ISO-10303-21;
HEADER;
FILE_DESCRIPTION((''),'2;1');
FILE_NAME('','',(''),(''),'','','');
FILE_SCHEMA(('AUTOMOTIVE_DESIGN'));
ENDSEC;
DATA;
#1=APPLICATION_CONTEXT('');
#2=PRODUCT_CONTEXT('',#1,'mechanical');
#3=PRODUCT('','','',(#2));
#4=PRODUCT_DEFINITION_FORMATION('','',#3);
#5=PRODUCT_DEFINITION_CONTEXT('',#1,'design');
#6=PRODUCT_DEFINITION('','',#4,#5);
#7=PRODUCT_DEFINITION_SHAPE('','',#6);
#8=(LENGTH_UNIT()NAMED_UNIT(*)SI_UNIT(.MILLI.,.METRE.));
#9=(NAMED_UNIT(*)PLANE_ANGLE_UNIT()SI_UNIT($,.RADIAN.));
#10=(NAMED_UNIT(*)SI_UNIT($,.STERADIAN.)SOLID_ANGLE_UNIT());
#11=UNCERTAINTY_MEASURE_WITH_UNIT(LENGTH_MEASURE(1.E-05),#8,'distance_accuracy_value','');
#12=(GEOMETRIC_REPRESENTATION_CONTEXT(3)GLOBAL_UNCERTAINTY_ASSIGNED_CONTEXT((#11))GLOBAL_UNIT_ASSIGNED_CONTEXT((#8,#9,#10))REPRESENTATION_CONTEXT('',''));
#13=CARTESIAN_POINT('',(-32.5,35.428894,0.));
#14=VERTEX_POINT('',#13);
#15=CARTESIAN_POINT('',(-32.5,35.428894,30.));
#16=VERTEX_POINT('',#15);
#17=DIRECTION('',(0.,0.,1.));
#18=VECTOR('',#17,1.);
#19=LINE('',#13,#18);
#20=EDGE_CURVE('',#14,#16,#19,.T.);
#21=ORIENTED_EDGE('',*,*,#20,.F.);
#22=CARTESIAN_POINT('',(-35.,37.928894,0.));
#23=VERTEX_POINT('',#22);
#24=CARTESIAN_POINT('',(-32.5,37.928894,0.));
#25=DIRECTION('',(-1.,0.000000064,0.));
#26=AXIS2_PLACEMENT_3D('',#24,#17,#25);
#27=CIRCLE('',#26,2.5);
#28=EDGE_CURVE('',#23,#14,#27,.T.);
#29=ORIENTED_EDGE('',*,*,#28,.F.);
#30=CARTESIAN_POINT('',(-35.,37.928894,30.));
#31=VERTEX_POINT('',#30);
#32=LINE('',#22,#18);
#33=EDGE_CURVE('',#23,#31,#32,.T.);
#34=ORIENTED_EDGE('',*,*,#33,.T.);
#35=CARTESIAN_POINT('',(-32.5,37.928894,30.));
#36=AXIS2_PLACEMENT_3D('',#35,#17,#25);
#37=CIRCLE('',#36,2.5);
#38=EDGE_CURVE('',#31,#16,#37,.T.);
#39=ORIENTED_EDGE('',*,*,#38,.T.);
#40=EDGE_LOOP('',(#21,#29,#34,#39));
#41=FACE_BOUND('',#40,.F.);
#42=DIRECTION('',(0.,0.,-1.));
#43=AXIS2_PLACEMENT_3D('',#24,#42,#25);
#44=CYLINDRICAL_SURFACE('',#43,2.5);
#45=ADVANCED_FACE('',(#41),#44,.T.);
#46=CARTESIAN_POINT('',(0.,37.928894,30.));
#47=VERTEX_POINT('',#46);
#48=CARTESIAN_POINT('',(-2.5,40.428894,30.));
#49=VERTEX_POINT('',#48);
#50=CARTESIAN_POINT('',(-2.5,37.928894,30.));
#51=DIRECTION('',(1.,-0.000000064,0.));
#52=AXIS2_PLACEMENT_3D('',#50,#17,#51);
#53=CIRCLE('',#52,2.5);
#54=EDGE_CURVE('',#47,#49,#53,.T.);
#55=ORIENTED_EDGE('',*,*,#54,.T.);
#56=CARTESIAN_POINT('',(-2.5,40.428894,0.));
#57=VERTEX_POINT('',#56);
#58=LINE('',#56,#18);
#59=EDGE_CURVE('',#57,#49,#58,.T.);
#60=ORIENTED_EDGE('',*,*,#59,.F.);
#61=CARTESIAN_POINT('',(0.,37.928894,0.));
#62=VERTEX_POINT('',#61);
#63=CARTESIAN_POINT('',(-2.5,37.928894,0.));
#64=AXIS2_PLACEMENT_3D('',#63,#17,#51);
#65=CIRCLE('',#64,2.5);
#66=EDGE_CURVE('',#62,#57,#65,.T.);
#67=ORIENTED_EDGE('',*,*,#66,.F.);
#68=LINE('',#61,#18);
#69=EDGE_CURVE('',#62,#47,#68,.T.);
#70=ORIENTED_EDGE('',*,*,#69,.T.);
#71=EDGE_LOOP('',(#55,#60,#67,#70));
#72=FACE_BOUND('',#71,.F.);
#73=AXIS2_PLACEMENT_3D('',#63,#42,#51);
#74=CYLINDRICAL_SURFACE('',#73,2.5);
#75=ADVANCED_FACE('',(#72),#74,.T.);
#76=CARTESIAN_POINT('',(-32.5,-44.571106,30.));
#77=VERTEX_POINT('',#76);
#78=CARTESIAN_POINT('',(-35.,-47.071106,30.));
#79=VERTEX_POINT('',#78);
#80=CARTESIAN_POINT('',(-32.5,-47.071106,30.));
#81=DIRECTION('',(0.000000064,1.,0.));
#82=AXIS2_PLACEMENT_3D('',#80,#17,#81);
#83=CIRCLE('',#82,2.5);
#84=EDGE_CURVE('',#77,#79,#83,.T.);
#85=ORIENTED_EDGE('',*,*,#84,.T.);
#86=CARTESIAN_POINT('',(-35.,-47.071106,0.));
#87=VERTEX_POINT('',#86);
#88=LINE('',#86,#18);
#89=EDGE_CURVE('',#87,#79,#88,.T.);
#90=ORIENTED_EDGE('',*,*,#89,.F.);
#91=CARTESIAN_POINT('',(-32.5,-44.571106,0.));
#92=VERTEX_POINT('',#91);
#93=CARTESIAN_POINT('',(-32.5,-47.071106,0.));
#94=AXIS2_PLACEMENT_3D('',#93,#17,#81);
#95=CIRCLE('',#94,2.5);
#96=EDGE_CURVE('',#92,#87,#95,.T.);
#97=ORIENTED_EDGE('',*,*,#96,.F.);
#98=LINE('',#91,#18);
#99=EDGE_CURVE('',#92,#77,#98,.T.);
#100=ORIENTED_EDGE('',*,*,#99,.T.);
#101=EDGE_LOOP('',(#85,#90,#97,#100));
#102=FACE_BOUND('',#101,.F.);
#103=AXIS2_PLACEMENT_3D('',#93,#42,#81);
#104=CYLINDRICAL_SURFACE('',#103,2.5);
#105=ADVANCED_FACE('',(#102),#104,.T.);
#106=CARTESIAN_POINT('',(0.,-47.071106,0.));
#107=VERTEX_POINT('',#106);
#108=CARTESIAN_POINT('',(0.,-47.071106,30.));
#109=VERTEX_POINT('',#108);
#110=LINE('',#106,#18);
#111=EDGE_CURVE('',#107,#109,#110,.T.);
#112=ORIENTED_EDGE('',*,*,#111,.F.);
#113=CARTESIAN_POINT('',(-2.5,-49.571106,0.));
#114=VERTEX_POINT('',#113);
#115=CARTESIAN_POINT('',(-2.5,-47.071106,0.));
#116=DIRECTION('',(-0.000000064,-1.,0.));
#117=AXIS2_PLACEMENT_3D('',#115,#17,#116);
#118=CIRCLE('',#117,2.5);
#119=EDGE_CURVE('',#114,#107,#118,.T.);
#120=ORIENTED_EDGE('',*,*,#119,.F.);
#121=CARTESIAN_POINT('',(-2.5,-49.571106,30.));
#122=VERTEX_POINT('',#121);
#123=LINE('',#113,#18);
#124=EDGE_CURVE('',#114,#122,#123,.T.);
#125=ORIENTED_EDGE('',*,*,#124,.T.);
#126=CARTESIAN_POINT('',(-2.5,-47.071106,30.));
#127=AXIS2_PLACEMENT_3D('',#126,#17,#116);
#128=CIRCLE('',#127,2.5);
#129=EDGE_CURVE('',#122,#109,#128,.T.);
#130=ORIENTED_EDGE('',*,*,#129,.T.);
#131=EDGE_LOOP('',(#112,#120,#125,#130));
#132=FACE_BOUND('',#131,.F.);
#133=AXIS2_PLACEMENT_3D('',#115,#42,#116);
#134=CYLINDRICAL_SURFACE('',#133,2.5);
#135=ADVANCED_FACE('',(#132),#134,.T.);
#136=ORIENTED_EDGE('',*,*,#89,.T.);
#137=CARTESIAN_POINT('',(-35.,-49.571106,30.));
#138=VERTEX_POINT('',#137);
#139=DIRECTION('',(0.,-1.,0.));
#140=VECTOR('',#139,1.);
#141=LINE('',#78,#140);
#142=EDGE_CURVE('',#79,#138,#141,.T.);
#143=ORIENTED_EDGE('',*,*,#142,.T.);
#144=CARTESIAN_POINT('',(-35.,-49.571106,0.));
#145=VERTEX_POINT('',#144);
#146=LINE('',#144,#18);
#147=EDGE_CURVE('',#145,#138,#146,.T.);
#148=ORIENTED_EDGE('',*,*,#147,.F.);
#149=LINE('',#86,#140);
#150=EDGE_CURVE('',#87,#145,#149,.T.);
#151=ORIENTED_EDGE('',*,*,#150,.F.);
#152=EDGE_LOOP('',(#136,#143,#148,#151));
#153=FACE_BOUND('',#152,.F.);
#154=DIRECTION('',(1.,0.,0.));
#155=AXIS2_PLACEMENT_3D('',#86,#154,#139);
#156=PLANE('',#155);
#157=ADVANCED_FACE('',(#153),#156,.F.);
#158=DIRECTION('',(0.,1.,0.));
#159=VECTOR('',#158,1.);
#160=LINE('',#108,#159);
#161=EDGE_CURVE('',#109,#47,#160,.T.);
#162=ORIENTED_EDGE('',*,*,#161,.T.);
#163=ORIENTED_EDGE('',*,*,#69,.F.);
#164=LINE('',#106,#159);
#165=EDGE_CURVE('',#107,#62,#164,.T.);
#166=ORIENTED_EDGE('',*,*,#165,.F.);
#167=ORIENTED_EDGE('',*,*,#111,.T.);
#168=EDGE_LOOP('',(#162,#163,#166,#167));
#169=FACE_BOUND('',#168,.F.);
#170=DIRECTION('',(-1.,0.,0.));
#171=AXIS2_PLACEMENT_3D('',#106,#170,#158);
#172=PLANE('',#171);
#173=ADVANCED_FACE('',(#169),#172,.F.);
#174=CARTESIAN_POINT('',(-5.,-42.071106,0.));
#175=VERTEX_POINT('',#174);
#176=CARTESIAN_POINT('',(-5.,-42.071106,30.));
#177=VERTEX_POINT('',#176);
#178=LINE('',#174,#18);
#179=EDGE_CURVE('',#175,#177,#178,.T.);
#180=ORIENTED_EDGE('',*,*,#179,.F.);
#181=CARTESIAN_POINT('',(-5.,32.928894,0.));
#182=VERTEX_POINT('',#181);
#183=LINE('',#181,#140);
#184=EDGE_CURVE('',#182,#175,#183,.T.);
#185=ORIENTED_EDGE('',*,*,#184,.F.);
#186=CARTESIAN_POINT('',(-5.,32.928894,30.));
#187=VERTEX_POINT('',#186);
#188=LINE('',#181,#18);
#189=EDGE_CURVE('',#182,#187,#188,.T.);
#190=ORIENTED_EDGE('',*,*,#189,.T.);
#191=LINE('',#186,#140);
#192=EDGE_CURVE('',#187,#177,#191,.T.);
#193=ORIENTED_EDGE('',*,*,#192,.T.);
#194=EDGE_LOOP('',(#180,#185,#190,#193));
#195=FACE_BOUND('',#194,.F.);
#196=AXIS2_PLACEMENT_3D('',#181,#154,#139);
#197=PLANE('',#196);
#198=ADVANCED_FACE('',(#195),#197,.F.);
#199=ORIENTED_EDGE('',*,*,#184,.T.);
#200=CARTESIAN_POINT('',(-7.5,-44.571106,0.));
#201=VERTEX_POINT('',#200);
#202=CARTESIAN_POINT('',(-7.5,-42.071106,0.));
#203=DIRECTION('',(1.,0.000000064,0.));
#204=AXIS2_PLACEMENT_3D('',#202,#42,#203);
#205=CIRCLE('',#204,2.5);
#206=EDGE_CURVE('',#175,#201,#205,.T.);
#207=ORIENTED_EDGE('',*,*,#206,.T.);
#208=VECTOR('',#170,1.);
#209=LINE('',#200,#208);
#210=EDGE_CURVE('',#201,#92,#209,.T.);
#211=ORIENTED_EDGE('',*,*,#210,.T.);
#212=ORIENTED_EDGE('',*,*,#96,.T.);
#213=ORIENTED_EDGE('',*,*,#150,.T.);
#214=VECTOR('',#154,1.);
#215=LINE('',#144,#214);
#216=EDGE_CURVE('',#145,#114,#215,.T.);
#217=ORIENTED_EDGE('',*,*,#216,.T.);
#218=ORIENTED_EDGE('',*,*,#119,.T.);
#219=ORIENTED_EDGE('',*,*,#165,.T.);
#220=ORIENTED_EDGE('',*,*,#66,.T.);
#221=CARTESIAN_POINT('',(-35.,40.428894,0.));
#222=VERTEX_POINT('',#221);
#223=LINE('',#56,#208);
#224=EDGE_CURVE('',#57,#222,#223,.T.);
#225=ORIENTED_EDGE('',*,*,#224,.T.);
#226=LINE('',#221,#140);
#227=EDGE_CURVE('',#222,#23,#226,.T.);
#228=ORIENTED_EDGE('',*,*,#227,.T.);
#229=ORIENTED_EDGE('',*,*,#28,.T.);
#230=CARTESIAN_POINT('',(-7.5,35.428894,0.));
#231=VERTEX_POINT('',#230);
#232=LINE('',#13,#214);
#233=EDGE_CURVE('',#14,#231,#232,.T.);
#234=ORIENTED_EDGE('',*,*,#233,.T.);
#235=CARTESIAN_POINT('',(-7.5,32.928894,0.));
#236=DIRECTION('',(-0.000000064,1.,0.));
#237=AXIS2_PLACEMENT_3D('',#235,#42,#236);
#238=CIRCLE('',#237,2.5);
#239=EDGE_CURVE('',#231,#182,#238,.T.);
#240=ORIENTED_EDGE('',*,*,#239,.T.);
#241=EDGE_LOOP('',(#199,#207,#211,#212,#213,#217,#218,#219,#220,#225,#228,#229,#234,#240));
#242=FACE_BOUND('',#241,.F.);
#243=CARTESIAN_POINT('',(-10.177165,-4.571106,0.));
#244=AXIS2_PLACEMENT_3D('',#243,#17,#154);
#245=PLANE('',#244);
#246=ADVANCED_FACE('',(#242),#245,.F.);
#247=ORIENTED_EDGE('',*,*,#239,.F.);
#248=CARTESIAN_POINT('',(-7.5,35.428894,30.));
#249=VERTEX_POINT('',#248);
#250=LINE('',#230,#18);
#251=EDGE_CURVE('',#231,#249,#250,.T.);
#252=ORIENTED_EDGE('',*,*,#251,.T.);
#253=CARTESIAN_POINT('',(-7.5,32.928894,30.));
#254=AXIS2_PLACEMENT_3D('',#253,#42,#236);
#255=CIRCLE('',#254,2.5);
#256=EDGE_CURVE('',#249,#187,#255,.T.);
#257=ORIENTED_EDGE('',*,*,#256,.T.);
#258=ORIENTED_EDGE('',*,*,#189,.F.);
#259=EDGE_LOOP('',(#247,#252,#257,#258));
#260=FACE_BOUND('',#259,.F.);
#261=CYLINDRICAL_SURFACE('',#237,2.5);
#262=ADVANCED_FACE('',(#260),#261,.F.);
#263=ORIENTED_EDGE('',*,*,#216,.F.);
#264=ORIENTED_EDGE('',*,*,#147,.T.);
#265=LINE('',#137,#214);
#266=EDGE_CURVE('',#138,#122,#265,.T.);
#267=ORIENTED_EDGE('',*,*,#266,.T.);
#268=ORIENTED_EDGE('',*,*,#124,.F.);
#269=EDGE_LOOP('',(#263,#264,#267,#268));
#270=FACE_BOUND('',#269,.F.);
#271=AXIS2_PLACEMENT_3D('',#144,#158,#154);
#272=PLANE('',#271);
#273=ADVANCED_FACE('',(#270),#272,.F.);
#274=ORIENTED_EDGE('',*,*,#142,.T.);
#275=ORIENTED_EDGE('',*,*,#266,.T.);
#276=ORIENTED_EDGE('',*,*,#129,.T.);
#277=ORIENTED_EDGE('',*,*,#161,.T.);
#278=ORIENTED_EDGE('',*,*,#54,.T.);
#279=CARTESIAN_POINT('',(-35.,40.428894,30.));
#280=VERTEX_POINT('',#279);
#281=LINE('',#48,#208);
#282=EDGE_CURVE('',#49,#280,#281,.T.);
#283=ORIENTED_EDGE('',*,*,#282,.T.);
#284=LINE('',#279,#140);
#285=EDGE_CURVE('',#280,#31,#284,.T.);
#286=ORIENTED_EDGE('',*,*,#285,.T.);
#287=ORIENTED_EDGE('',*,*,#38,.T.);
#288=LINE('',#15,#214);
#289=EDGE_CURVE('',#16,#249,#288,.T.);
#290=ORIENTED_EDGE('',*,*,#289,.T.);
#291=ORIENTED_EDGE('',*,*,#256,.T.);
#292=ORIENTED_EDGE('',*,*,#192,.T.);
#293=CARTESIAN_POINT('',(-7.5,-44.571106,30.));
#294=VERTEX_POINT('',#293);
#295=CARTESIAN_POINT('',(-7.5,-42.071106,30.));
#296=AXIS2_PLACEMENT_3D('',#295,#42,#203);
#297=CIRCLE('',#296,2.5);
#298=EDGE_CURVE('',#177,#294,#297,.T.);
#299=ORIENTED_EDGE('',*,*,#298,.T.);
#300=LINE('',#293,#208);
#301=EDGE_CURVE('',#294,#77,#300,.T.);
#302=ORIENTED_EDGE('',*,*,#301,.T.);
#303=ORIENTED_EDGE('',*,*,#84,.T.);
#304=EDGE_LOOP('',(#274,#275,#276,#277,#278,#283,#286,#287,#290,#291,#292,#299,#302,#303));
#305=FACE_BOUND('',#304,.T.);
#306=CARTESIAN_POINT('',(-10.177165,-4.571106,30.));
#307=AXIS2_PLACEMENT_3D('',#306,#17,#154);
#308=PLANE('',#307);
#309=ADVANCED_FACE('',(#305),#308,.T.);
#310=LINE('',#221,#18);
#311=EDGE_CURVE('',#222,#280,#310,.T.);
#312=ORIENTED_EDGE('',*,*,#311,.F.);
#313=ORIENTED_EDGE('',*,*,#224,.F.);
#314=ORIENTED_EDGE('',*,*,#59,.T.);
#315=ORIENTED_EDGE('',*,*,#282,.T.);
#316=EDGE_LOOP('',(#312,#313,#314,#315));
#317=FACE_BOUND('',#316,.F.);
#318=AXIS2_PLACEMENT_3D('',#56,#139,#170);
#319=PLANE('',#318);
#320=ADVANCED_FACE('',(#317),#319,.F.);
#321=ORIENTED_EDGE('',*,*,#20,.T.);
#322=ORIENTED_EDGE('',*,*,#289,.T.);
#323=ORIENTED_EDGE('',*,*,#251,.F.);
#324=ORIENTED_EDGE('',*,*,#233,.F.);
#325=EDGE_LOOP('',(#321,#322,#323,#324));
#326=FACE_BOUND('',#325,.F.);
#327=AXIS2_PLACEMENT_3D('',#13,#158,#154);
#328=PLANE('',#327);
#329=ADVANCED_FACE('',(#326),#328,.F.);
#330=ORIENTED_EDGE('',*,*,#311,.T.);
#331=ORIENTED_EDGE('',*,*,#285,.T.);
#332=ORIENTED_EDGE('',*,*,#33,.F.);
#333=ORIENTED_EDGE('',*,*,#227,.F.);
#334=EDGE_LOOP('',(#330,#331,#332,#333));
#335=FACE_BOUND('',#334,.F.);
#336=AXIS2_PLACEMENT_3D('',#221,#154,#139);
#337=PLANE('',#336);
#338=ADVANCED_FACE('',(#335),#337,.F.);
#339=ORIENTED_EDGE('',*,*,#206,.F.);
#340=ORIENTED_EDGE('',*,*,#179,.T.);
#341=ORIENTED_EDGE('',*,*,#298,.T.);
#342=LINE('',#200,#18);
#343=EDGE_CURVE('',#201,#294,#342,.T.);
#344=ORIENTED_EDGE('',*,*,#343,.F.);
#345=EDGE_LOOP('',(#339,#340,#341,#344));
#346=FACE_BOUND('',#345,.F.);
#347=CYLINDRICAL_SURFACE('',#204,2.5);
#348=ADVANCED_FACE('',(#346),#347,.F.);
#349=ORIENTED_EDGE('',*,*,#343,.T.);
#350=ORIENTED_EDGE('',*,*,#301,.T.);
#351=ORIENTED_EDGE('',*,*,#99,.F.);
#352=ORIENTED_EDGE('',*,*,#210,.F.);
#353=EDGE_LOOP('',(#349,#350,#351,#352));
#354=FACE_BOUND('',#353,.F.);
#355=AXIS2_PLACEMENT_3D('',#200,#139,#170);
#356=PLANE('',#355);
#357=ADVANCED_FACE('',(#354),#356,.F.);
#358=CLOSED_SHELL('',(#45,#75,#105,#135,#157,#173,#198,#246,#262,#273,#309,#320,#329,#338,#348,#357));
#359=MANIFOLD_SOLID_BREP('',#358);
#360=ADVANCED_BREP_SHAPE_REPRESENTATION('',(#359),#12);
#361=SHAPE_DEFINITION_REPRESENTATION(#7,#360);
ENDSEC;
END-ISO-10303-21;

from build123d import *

# Parameters (mm, degrees)
F1_DEPTH = 30


with BuildPart() as f1:
    # F0 (on Top) → F1 (new body)
    with BuildSketch(Plane.XY):
        with BuildLine():
            Line((0, -47.071106), (0, 37.928894))
            ThreePointArc((0, 37.928894), (-0.732233, 39.696661), (-2.5, 40.428894))
            Line((-2.5, 40.428894), (-35, 40.428894))
            Line((-35, 40.428894), (-35, 37.928894))
            ThreePointArc((-35, 37.928894), (-34.267767, 36.161127), (-32.5, 35.428894))
            Line((-32.5, 35.428894), (-7.5, 35.428894))
            ThreePointArc((-7.5, 35.428894), (-5.732233, 34.696661), (-5, 32.928894))
            Line((-5, 32.928894), (-5, -42.071106))
            ThreePointArc((-5, -42.071106), (-5.732233, -43.838873), (-7.5, -44.571106))
            Line((-7.5, -44.571106), (-32.5, -44.571106))
            ThreePointArc((-32.5, -44.571106), (-34.267767, -45.303339), (-35, -47.071106))
            Line((-35, -47.071106), (-35, -49.571106))
            Line((-35, -49.571106), (-2.5, -49.571106))
            ThreePointArc((-2.5, -49.571106), (-0.732233, -48.838873), (0, -47.071106))
        make_face()
    extrude(amount=F1_DEPTH)


solid = f1.part
